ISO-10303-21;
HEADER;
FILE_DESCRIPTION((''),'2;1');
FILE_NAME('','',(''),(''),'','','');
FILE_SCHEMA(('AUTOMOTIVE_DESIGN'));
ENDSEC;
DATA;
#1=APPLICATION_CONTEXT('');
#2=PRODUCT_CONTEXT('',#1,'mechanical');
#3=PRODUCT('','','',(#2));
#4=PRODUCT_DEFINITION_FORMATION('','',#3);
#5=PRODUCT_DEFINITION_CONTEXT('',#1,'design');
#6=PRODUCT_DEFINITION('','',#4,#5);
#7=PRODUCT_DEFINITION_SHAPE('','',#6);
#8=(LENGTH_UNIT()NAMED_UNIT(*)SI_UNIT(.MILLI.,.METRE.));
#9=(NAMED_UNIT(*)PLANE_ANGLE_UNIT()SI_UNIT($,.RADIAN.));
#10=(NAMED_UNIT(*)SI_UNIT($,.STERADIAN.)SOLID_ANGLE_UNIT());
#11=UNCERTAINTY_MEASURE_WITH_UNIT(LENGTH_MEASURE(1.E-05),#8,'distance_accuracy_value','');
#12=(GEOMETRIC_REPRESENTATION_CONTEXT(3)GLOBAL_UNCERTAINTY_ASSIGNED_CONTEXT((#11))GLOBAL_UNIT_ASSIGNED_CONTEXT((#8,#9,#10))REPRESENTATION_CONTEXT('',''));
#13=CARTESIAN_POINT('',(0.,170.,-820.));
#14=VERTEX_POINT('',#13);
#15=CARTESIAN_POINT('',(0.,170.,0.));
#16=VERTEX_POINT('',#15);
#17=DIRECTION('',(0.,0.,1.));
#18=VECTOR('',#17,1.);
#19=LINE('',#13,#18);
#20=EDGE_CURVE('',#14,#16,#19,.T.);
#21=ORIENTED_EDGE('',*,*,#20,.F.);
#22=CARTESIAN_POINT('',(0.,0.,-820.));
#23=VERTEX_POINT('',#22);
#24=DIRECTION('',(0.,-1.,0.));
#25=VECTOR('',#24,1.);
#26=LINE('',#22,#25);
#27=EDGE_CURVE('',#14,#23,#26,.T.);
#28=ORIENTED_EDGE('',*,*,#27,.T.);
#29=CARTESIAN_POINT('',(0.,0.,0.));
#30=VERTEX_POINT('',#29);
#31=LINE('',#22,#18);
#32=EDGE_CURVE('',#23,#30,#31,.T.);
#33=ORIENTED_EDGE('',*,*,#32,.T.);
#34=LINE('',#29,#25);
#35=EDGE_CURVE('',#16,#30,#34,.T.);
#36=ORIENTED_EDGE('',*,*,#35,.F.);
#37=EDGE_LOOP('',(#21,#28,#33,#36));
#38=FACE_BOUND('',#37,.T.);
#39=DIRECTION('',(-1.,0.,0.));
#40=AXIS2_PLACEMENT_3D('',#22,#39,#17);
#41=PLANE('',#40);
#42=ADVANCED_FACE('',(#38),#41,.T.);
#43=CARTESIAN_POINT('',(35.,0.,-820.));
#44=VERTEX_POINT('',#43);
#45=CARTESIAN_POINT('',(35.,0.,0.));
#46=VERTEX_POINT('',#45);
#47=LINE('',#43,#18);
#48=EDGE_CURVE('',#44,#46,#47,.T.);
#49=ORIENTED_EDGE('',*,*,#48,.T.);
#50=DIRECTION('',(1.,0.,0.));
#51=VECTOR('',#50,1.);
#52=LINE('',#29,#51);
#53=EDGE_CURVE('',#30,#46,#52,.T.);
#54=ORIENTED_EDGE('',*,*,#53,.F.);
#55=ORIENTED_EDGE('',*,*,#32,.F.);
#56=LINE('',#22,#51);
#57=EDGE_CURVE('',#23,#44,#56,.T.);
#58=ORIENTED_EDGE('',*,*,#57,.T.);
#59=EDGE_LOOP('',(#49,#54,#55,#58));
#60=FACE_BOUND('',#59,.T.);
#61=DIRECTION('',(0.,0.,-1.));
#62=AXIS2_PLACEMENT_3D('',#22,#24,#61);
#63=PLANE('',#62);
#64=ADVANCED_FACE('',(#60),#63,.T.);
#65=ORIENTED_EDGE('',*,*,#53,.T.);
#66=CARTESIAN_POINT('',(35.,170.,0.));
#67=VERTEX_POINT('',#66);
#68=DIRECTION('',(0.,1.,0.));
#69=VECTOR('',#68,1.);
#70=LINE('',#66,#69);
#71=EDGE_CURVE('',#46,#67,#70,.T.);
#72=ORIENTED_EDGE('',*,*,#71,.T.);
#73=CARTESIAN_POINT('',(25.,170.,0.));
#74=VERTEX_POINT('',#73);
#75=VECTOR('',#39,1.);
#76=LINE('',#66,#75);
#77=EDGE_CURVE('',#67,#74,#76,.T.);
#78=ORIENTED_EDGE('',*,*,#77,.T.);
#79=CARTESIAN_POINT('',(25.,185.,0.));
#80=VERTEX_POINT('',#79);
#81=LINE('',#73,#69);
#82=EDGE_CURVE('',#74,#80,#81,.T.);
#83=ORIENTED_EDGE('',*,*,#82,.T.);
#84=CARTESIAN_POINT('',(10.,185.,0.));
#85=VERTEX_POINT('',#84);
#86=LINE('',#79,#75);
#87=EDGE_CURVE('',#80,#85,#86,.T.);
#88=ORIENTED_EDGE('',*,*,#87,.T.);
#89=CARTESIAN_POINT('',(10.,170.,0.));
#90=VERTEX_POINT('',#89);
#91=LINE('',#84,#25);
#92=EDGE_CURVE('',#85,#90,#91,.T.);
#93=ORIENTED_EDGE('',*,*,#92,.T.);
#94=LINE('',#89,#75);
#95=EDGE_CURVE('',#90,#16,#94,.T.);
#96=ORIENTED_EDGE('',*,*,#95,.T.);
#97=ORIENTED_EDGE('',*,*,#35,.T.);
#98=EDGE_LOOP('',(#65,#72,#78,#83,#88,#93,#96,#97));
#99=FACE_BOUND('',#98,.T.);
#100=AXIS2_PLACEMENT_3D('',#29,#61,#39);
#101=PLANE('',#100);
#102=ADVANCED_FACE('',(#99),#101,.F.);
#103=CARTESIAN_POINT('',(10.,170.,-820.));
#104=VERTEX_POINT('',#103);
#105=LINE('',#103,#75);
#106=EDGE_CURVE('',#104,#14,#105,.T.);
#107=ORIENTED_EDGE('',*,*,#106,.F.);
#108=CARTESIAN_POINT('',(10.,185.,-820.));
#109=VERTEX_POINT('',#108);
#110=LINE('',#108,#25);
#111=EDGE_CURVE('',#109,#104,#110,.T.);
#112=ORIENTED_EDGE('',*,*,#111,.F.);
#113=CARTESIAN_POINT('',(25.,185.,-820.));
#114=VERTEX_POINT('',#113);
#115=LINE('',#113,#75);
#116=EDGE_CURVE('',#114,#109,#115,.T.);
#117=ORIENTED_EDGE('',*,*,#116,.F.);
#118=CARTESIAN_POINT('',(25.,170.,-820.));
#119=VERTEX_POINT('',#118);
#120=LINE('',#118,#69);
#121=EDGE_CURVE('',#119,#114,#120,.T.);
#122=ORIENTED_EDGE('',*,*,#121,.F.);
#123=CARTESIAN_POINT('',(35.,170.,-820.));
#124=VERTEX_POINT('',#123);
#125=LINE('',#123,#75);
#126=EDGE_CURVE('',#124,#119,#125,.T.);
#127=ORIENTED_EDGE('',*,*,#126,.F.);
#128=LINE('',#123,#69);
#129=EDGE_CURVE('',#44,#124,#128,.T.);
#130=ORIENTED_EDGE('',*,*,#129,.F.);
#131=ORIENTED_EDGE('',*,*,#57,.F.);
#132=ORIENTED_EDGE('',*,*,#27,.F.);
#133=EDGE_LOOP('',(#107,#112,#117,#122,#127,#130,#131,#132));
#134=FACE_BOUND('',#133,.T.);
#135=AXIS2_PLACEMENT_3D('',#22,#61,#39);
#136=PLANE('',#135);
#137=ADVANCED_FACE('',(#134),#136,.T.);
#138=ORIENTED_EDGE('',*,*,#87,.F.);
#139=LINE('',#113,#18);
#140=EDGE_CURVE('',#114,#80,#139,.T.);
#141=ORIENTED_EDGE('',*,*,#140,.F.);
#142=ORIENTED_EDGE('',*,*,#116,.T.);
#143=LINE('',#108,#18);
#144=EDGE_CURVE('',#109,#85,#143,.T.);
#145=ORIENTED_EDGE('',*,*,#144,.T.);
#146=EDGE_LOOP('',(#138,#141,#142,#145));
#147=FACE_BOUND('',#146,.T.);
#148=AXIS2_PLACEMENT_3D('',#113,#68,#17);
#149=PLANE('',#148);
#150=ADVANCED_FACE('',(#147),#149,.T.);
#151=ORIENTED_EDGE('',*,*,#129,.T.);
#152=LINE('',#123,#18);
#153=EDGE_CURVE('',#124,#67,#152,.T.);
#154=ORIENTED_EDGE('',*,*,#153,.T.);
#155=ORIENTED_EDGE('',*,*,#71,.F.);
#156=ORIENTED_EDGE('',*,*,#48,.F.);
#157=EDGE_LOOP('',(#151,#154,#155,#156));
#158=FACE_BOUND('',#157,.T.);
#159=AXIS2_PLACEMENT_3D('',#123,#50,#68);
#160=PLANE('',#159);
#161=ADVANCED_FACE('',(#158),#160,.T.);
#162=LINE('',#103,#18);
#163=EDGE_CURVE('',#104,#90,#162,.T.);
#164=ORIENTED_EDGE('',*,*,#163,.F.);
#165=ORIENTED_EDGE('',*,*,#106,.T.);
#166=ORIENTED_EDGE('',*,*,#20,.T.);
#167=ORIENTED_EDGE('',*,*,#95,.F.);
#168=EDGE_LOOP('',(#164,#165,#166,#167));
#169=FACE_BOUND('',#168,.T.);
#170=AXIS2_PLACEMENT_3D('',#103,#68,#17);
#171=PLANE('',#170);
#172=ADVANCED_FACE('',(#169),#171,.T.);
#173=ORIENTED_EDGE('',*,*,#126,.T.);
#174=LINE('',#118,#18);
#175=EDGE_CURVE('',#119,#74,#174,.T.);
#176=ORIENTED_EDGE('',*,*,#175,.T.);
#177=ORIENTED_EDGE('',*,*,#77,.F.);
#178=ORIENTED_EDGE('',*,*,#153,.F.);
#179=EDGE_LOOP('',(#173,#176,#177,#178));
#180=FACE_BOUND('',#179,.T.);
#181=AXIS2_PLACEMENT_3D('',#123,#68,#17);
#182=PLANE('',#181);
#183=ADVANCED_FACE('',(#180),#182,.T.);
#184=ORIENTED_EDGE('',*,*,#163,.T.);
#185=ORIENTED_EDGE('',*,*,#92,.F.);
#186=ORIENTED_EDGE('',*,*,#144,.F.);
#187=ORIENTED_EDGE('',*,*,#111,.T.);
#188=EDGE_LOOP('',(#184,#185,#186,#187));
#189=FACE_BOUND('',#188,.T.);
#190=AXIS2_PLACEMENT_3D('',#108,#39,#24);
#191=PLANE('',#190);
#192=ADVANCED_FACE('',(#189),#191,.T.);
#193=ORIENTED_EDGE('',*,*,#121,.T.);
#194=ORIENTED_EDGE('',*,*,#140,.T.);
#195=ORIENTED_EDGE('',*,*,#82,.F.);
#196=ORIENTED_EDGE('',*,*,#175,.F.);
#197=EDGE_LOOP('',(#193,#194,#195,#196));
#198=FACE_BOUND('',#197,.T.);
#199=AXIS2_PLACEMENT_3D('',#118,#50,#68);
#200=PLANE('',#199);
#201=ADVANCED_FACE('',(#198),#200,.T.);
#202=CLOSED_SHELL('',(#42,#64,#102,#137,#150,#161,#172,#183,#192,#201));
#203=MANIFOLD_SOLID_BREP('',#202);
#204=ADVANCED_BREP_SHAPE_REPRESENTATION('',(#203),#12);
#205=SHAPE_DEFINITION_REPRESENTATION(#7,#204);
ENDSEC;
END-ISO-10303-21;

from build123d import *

# Parameters (mm, degrees)
EXTRUDE_1_DEPTH = 820


with BuildPart() as part:
    # Эскиз1 → Бобышка-Вытянуть1 (new body)
    with BuildSketch(Plane.XY):
        Polygon((0, 0), (0, 170), (10, 170), (10, 185), (25, 185), (25, 170), (35, 170), (35, 0), align=None)
    extrude(amount=-EXTRUDE_1_DEPTH)


solid = part.part
